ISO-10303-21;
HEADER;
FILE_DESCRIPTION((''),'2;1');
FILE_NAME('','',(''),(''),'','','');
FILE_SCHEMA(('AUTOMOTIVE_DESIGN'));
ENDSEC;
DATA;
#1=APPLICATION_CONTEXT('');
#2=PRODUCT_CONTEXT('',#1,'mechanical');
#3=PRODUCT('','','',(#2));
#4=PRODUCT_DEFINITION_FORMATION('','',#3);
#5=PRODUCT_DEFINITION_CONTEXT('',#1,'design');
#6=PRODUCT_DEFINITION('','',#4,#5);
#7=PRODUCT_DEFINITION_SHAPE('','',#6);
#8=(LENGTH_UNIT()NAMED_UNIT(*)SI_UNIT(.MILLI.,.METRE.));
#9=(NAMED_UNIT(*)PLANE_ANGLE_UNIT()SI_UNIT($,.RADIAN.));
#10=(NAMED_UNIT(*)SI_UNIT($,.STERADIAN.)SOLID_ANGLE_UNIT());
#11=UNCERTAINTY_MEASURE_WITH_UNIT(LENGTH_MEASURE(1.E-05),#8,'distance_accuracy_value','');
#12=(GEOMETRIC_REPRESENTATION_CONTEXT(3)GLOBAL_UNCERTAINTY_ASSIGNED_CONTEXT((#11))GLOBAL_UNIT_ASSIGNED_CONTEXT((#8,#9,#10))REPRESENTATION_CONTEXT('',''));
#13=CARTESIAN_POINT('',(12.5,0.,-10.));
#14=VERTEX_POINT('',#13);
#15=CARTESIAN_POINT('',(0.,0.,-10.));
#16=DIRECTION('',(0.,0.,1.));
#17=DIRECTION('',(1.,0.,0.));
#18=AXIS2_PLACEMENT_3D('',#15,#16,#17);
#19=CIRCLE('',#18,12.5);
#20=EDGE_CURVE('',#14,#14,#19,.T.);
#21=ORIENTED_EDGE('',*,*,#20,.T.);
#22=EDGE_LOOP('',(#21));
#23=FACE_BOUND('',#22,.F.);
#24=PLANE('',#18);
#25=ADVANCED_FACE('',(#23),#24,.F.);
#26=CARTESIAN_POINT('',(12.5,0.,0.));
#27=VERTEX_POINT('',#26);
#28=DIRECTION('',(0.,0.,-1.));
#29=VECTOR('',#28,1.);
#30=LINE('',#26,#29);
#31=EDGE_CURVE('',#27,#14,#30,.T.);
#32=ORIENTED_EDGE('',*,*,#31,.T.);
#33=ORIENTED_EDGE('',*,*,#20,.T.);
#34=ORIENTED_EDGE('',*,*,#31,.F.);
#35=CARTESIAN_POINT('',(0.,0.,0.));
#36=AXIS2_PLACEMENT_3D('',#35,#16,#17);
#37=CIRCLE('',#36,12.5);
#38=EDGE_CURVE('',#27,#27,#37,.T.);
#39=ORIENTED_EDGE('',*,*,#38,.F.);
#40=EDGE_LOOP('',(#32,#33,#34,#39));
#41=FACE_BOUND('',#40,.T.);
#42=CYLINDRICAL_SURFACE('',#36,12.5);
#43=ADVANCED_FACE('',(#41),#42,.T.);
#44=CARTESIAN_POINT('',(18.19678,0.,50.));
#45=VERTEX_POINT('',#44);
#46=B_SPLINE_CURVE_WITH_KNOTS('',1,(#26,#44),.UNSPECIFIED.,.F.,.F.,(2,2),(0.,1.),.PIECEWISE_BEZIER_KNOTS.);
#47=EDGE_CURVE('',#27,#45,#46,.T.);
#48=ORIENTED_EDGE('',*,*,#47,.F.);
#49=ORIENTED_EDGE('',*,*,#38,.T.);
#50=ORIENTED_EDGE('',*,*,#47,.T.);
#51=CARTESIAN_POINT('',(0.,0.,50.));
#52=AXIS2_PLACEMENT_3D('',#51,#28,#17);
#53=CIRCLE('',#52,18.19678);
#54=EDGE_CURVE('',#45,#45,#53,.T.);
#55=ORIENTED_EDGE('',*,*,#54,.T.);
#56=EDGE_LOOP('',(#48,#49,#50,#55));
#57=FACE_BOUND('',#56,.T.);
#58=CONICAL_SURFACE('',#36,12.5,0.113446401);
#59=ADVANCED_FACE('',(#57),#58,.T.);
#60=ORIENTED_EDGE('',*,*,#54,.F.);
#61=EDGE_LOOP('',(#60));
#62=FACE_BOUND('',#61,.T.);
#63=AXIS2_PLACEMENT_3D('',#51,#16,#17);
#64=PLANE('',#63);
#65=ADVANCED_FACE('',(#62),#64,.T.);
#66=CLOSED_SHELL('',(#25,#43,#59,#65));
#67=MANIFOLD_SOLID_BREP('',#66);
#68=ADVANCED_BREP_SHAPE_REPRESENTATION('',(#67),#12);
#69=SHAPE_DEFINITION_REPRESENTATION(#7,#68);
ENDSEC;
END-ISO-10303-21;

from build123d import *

# Parameters (mm, degrees)
F0_R          = 12.5
F1_DEPTH      = 50
F1_TAPER      = -6.5
F1_DEPTH_BACK = 10


with BuildPart() as f1:
    # F0 (on Top) → F1 (new body, two sides)
    with BuildSketch(Plane.XY) as f1_sk:
        Circle(F0_R)
    extrude(amount=F1_DEPTH, taper=F1_TAPER)
    extrude(f1_sk.sketch, amount=-F1_DEPTH_BACK)


solid = f1.part
